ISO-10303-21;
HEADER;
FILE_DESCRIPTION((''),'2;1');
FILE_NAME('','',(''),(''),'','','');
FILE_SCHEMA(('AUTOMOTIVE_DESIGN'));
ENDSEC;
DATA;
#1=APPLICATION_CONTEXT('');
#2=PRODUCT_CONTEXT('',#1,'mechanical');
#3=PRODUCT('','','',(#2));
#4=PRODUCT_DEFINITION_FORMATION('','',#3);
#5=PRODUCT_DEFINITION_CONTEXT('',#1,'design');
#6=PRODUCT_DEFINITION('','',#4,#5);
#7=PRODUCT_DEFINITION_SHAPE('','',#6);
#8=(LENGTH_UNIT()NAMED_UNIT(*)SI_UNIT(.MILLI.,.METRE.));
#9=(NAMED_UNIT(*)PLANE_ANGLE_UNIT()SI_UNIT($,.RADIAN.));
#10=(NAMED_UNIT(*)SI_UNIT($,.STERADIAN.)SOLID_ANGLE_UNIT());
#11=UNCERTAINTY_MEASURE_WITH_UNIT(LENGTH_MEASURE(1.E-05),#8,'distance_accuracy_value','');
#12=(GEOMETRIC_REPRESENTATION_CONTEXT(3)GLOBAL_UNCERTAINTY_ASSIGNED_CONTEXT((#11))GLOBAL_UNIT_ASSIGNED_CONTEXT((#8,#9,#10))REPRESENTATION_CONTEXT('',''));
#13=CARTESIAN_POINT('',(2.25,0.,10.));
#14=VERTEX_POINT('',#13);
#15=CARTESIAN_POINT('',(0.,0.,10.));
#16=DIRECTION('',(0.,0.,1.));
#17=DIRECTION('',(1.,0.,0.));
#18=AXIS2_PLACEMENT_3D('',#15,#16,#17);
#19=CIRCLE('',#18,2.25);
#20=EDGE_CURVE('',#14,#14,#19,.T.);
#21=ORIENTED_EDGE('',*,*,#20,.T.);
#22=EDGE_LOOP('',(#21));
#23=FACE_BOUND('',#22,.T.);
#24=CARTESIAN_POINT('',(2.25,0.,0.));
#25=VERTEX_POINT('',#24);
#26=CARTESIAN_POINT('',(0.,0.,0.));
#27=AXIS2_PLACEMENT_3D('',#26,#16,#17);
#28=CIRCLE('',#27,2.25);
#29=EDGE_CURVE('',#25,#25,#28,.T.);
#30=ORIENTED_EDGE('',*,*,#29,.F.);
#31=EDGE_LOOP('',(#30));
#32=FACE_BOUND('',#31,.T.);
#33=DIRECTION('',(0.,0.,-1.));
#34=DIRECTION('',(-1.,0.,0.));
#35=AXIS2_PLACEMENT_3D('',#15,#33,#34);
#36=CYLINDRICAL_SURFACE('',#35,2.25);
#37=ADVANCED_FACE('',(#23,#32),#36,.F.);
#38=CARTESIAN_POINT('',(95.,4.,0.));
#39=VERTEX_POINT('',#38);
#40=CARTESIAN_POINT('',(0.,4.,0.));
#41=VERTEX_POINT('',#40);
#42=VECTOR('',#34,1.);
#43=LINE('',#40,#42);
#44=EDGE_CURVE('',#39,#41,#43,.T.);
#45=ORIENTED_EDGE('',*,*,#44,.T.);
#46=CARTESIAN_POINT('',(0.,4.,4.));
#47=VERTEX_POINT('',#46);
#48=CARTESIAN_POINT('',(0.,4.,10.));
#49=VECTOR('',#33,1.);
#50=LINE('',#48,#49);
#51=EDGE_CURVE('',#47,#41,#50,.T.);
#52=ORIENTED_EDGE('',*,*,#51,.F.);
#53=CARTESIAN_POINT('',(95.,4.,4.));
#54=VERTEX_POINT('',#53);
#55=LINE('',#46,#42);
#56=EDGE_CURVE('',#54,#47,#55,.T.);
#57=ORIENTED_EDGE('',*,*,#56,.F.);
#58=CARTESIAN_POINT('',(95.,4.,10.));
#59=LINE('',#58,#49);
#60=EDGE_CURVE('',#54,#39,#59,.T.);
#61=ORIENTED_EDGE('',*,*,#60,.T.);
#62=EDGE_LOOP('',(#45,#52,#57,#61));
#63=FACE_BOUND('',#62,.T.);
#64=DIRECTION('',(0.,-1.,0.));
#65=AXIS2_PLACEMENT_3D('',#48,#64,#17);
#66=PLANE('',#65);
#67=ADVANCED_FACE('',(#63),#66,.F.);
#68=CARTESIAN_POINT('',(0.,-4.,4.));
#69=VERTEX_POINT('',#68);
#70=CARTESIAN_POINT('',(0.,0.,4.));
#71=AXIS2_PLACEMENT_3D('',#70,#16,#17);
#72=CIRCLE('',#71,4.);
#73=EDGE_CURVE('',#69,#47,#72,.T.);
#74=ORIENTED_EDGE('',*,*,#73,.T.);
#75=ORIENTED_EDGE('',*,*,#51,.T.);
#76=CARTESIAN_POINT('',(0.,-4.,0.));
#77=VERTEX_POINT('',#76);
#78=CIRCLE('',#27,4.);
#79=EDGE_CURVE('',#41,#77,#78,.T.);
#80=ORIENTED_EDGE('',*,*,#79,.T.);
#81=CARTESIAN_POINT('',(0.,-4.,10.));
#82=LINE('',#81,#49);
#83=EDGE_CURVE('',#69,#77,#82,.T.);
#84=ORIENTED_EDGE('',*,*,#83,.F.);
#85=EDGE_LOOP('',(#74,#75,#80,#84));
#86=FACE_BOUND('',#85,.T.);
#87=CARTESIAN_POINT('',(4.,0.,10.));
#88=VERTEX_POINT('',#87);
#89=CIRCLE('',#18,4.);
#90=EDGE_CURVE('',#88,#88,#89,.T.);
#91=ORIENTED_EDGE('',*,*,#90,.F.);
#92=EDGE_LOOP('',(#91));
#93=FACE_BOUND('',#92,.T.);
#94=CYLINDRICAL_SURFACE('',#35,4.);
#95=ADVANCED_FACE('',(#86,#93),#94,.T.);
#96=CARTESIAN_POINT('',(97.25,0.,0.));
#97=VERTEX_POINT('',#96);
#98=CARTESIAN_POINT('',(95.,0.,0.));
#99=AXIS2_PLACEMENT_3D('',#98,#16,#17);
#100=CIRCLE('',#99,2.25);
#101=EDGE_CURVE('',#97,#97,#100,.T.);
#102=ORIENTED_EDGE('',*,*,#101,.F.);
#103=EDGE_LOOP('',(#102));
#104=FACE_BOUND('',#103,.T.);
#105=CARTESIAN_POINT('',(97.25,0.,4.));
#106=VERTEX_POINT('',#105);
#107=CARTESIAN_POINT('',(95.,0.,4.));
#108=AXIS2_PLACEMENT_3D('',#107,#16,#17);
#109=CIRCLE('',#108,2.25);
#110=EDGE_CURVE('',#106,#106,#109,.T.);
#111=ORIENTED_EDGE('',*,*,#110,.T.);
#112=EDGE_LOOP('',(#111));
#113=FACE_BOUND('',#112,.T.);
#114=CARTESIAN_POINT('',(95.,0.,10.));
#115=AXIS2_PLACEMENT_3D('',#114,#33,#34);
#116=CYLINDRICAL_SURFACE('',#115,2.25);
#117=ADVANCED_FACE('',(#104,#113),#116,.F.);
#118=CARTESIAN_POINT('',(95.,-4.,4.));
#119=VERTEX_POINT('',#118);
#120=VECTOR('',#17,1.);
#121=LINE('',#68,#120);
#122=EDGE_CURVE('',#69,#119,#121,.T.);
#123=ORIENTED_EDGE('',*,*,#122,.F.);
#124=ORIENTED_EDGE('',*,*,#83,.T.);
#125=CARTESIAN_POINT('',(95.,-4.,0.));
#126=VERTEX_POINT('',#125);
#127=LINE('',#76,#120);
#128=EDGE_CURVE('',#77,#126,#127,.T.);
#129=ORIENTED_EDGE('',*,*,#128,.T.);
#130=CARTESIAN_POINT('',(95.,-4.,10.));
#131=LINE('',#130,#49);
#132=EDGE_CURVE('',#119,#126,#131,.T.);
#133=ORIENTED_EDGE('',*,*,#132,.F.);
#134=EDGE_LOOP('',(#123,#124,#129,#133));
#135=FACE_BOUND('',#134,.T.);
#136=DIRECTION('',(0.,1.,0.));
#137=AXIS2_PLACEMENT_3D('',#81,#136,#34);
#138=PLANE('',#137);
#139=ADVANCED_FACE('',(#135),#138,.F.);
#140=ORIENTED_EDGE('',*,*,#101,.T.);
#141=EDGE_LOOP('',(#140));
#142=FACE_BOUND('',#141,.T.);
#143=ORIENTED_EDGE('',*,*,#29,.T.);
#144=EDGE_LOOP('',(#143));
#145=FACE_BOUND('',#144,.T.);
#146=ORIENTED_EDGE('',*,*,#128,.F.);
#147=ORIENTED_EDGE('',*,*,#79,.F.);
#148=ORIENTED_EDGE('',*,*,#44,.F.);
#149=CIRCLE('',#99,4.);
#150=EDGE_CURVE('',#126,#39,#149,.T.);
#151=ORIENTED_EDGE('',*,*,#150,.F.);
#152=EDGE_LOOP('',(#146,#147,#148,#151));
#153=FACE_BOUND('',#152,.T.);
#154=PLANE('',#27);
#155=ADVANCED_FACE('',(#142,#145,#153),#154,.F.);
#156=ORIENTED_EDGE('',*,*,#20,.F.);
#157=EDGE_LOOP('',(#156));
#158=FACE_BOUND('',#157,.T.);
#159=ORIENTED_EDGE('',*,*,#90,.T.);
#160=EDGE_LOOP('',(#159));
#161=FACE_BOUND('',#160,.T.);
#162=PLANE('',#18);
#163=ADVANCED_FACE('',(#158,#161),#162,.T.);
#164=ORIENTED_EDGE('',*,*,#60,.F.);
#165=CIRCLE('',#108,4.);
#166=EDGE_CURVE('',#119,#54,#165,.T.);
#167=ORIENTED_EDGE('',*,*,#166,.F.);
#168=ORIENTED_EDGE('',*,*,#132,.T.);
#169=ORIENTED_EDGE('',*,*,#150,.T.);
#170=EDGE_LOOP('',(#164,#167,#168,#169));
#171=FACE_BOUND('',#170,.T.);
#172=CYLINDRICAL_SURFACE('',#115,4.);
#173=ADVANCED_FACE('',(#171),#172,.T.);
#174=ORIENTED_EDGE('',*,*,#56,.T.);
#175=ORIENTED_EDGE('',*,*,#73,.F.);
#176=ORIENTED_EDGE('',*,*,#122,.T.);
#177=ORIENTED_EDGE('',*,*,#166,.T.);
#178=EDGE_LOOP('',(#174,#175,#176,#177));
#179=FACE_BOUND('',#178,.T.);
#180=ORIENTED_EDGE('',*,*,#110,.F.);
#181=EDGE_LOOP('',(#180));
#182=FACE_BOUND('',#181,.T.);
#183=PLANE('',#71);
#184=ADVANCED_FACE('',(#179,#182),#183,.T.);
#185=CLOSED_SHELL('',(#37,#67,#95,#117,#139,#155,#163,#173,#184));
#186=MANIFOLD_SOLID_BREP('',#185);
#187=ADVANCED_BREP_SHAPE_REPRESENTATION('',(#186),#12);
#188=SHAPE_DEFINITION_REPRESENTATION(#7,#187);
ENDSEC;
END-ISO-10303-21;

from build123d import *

# Parameters (mm, degrees)
SKETCH2_R               = 2.25
BOSS_EXTRUDE1_DEPTH     = 10
CUT_EXTRUDE_THIN1_START = -6
SKETCH3_R               = 104
SKETCH3_R_2             = 4
CUT_EXTRUDE_THIN1_DEPTH = 6


with BuildPart() as part:
    # Sketch2 → Boss-Extrude1 (new body)
    with BuildSketch(Plane.XY):
        with BuildLine():
            Line((0, 4), (95, 4))
            ThreePointArc((95, 4), (99, 0), (95, -4))
            Line((95, -4), (0, -4))
            ThreePointArc((0, -4), (-4, 0), (0, 4))
        make_face()
        Circle(SKETCH2_R, mode=Mode.SUBTRACT)
        with Locations((95, 0)):
            Circle(SKETCH2_R, mode=Mode.SUBTRACT)
    extrude(amount=BOSS_EXTRUDE1_DEPTH)

    # Sketch3 → Cut-Extrude-Thin1 (cut)
    with BuildSketch(Plane.XY.offset(10).offset(CUT_EXTRUDE_THIN1_START)):
        Circle(SKETCH3_R)
        Circle(SKETCH3_R_2, mode=Mode.SUBTRACT)
    extrude(amount=CUT_EXTRUDE_THIN1_DEPTH, mode=Mode.SUBTRACT)


solid = part.part
